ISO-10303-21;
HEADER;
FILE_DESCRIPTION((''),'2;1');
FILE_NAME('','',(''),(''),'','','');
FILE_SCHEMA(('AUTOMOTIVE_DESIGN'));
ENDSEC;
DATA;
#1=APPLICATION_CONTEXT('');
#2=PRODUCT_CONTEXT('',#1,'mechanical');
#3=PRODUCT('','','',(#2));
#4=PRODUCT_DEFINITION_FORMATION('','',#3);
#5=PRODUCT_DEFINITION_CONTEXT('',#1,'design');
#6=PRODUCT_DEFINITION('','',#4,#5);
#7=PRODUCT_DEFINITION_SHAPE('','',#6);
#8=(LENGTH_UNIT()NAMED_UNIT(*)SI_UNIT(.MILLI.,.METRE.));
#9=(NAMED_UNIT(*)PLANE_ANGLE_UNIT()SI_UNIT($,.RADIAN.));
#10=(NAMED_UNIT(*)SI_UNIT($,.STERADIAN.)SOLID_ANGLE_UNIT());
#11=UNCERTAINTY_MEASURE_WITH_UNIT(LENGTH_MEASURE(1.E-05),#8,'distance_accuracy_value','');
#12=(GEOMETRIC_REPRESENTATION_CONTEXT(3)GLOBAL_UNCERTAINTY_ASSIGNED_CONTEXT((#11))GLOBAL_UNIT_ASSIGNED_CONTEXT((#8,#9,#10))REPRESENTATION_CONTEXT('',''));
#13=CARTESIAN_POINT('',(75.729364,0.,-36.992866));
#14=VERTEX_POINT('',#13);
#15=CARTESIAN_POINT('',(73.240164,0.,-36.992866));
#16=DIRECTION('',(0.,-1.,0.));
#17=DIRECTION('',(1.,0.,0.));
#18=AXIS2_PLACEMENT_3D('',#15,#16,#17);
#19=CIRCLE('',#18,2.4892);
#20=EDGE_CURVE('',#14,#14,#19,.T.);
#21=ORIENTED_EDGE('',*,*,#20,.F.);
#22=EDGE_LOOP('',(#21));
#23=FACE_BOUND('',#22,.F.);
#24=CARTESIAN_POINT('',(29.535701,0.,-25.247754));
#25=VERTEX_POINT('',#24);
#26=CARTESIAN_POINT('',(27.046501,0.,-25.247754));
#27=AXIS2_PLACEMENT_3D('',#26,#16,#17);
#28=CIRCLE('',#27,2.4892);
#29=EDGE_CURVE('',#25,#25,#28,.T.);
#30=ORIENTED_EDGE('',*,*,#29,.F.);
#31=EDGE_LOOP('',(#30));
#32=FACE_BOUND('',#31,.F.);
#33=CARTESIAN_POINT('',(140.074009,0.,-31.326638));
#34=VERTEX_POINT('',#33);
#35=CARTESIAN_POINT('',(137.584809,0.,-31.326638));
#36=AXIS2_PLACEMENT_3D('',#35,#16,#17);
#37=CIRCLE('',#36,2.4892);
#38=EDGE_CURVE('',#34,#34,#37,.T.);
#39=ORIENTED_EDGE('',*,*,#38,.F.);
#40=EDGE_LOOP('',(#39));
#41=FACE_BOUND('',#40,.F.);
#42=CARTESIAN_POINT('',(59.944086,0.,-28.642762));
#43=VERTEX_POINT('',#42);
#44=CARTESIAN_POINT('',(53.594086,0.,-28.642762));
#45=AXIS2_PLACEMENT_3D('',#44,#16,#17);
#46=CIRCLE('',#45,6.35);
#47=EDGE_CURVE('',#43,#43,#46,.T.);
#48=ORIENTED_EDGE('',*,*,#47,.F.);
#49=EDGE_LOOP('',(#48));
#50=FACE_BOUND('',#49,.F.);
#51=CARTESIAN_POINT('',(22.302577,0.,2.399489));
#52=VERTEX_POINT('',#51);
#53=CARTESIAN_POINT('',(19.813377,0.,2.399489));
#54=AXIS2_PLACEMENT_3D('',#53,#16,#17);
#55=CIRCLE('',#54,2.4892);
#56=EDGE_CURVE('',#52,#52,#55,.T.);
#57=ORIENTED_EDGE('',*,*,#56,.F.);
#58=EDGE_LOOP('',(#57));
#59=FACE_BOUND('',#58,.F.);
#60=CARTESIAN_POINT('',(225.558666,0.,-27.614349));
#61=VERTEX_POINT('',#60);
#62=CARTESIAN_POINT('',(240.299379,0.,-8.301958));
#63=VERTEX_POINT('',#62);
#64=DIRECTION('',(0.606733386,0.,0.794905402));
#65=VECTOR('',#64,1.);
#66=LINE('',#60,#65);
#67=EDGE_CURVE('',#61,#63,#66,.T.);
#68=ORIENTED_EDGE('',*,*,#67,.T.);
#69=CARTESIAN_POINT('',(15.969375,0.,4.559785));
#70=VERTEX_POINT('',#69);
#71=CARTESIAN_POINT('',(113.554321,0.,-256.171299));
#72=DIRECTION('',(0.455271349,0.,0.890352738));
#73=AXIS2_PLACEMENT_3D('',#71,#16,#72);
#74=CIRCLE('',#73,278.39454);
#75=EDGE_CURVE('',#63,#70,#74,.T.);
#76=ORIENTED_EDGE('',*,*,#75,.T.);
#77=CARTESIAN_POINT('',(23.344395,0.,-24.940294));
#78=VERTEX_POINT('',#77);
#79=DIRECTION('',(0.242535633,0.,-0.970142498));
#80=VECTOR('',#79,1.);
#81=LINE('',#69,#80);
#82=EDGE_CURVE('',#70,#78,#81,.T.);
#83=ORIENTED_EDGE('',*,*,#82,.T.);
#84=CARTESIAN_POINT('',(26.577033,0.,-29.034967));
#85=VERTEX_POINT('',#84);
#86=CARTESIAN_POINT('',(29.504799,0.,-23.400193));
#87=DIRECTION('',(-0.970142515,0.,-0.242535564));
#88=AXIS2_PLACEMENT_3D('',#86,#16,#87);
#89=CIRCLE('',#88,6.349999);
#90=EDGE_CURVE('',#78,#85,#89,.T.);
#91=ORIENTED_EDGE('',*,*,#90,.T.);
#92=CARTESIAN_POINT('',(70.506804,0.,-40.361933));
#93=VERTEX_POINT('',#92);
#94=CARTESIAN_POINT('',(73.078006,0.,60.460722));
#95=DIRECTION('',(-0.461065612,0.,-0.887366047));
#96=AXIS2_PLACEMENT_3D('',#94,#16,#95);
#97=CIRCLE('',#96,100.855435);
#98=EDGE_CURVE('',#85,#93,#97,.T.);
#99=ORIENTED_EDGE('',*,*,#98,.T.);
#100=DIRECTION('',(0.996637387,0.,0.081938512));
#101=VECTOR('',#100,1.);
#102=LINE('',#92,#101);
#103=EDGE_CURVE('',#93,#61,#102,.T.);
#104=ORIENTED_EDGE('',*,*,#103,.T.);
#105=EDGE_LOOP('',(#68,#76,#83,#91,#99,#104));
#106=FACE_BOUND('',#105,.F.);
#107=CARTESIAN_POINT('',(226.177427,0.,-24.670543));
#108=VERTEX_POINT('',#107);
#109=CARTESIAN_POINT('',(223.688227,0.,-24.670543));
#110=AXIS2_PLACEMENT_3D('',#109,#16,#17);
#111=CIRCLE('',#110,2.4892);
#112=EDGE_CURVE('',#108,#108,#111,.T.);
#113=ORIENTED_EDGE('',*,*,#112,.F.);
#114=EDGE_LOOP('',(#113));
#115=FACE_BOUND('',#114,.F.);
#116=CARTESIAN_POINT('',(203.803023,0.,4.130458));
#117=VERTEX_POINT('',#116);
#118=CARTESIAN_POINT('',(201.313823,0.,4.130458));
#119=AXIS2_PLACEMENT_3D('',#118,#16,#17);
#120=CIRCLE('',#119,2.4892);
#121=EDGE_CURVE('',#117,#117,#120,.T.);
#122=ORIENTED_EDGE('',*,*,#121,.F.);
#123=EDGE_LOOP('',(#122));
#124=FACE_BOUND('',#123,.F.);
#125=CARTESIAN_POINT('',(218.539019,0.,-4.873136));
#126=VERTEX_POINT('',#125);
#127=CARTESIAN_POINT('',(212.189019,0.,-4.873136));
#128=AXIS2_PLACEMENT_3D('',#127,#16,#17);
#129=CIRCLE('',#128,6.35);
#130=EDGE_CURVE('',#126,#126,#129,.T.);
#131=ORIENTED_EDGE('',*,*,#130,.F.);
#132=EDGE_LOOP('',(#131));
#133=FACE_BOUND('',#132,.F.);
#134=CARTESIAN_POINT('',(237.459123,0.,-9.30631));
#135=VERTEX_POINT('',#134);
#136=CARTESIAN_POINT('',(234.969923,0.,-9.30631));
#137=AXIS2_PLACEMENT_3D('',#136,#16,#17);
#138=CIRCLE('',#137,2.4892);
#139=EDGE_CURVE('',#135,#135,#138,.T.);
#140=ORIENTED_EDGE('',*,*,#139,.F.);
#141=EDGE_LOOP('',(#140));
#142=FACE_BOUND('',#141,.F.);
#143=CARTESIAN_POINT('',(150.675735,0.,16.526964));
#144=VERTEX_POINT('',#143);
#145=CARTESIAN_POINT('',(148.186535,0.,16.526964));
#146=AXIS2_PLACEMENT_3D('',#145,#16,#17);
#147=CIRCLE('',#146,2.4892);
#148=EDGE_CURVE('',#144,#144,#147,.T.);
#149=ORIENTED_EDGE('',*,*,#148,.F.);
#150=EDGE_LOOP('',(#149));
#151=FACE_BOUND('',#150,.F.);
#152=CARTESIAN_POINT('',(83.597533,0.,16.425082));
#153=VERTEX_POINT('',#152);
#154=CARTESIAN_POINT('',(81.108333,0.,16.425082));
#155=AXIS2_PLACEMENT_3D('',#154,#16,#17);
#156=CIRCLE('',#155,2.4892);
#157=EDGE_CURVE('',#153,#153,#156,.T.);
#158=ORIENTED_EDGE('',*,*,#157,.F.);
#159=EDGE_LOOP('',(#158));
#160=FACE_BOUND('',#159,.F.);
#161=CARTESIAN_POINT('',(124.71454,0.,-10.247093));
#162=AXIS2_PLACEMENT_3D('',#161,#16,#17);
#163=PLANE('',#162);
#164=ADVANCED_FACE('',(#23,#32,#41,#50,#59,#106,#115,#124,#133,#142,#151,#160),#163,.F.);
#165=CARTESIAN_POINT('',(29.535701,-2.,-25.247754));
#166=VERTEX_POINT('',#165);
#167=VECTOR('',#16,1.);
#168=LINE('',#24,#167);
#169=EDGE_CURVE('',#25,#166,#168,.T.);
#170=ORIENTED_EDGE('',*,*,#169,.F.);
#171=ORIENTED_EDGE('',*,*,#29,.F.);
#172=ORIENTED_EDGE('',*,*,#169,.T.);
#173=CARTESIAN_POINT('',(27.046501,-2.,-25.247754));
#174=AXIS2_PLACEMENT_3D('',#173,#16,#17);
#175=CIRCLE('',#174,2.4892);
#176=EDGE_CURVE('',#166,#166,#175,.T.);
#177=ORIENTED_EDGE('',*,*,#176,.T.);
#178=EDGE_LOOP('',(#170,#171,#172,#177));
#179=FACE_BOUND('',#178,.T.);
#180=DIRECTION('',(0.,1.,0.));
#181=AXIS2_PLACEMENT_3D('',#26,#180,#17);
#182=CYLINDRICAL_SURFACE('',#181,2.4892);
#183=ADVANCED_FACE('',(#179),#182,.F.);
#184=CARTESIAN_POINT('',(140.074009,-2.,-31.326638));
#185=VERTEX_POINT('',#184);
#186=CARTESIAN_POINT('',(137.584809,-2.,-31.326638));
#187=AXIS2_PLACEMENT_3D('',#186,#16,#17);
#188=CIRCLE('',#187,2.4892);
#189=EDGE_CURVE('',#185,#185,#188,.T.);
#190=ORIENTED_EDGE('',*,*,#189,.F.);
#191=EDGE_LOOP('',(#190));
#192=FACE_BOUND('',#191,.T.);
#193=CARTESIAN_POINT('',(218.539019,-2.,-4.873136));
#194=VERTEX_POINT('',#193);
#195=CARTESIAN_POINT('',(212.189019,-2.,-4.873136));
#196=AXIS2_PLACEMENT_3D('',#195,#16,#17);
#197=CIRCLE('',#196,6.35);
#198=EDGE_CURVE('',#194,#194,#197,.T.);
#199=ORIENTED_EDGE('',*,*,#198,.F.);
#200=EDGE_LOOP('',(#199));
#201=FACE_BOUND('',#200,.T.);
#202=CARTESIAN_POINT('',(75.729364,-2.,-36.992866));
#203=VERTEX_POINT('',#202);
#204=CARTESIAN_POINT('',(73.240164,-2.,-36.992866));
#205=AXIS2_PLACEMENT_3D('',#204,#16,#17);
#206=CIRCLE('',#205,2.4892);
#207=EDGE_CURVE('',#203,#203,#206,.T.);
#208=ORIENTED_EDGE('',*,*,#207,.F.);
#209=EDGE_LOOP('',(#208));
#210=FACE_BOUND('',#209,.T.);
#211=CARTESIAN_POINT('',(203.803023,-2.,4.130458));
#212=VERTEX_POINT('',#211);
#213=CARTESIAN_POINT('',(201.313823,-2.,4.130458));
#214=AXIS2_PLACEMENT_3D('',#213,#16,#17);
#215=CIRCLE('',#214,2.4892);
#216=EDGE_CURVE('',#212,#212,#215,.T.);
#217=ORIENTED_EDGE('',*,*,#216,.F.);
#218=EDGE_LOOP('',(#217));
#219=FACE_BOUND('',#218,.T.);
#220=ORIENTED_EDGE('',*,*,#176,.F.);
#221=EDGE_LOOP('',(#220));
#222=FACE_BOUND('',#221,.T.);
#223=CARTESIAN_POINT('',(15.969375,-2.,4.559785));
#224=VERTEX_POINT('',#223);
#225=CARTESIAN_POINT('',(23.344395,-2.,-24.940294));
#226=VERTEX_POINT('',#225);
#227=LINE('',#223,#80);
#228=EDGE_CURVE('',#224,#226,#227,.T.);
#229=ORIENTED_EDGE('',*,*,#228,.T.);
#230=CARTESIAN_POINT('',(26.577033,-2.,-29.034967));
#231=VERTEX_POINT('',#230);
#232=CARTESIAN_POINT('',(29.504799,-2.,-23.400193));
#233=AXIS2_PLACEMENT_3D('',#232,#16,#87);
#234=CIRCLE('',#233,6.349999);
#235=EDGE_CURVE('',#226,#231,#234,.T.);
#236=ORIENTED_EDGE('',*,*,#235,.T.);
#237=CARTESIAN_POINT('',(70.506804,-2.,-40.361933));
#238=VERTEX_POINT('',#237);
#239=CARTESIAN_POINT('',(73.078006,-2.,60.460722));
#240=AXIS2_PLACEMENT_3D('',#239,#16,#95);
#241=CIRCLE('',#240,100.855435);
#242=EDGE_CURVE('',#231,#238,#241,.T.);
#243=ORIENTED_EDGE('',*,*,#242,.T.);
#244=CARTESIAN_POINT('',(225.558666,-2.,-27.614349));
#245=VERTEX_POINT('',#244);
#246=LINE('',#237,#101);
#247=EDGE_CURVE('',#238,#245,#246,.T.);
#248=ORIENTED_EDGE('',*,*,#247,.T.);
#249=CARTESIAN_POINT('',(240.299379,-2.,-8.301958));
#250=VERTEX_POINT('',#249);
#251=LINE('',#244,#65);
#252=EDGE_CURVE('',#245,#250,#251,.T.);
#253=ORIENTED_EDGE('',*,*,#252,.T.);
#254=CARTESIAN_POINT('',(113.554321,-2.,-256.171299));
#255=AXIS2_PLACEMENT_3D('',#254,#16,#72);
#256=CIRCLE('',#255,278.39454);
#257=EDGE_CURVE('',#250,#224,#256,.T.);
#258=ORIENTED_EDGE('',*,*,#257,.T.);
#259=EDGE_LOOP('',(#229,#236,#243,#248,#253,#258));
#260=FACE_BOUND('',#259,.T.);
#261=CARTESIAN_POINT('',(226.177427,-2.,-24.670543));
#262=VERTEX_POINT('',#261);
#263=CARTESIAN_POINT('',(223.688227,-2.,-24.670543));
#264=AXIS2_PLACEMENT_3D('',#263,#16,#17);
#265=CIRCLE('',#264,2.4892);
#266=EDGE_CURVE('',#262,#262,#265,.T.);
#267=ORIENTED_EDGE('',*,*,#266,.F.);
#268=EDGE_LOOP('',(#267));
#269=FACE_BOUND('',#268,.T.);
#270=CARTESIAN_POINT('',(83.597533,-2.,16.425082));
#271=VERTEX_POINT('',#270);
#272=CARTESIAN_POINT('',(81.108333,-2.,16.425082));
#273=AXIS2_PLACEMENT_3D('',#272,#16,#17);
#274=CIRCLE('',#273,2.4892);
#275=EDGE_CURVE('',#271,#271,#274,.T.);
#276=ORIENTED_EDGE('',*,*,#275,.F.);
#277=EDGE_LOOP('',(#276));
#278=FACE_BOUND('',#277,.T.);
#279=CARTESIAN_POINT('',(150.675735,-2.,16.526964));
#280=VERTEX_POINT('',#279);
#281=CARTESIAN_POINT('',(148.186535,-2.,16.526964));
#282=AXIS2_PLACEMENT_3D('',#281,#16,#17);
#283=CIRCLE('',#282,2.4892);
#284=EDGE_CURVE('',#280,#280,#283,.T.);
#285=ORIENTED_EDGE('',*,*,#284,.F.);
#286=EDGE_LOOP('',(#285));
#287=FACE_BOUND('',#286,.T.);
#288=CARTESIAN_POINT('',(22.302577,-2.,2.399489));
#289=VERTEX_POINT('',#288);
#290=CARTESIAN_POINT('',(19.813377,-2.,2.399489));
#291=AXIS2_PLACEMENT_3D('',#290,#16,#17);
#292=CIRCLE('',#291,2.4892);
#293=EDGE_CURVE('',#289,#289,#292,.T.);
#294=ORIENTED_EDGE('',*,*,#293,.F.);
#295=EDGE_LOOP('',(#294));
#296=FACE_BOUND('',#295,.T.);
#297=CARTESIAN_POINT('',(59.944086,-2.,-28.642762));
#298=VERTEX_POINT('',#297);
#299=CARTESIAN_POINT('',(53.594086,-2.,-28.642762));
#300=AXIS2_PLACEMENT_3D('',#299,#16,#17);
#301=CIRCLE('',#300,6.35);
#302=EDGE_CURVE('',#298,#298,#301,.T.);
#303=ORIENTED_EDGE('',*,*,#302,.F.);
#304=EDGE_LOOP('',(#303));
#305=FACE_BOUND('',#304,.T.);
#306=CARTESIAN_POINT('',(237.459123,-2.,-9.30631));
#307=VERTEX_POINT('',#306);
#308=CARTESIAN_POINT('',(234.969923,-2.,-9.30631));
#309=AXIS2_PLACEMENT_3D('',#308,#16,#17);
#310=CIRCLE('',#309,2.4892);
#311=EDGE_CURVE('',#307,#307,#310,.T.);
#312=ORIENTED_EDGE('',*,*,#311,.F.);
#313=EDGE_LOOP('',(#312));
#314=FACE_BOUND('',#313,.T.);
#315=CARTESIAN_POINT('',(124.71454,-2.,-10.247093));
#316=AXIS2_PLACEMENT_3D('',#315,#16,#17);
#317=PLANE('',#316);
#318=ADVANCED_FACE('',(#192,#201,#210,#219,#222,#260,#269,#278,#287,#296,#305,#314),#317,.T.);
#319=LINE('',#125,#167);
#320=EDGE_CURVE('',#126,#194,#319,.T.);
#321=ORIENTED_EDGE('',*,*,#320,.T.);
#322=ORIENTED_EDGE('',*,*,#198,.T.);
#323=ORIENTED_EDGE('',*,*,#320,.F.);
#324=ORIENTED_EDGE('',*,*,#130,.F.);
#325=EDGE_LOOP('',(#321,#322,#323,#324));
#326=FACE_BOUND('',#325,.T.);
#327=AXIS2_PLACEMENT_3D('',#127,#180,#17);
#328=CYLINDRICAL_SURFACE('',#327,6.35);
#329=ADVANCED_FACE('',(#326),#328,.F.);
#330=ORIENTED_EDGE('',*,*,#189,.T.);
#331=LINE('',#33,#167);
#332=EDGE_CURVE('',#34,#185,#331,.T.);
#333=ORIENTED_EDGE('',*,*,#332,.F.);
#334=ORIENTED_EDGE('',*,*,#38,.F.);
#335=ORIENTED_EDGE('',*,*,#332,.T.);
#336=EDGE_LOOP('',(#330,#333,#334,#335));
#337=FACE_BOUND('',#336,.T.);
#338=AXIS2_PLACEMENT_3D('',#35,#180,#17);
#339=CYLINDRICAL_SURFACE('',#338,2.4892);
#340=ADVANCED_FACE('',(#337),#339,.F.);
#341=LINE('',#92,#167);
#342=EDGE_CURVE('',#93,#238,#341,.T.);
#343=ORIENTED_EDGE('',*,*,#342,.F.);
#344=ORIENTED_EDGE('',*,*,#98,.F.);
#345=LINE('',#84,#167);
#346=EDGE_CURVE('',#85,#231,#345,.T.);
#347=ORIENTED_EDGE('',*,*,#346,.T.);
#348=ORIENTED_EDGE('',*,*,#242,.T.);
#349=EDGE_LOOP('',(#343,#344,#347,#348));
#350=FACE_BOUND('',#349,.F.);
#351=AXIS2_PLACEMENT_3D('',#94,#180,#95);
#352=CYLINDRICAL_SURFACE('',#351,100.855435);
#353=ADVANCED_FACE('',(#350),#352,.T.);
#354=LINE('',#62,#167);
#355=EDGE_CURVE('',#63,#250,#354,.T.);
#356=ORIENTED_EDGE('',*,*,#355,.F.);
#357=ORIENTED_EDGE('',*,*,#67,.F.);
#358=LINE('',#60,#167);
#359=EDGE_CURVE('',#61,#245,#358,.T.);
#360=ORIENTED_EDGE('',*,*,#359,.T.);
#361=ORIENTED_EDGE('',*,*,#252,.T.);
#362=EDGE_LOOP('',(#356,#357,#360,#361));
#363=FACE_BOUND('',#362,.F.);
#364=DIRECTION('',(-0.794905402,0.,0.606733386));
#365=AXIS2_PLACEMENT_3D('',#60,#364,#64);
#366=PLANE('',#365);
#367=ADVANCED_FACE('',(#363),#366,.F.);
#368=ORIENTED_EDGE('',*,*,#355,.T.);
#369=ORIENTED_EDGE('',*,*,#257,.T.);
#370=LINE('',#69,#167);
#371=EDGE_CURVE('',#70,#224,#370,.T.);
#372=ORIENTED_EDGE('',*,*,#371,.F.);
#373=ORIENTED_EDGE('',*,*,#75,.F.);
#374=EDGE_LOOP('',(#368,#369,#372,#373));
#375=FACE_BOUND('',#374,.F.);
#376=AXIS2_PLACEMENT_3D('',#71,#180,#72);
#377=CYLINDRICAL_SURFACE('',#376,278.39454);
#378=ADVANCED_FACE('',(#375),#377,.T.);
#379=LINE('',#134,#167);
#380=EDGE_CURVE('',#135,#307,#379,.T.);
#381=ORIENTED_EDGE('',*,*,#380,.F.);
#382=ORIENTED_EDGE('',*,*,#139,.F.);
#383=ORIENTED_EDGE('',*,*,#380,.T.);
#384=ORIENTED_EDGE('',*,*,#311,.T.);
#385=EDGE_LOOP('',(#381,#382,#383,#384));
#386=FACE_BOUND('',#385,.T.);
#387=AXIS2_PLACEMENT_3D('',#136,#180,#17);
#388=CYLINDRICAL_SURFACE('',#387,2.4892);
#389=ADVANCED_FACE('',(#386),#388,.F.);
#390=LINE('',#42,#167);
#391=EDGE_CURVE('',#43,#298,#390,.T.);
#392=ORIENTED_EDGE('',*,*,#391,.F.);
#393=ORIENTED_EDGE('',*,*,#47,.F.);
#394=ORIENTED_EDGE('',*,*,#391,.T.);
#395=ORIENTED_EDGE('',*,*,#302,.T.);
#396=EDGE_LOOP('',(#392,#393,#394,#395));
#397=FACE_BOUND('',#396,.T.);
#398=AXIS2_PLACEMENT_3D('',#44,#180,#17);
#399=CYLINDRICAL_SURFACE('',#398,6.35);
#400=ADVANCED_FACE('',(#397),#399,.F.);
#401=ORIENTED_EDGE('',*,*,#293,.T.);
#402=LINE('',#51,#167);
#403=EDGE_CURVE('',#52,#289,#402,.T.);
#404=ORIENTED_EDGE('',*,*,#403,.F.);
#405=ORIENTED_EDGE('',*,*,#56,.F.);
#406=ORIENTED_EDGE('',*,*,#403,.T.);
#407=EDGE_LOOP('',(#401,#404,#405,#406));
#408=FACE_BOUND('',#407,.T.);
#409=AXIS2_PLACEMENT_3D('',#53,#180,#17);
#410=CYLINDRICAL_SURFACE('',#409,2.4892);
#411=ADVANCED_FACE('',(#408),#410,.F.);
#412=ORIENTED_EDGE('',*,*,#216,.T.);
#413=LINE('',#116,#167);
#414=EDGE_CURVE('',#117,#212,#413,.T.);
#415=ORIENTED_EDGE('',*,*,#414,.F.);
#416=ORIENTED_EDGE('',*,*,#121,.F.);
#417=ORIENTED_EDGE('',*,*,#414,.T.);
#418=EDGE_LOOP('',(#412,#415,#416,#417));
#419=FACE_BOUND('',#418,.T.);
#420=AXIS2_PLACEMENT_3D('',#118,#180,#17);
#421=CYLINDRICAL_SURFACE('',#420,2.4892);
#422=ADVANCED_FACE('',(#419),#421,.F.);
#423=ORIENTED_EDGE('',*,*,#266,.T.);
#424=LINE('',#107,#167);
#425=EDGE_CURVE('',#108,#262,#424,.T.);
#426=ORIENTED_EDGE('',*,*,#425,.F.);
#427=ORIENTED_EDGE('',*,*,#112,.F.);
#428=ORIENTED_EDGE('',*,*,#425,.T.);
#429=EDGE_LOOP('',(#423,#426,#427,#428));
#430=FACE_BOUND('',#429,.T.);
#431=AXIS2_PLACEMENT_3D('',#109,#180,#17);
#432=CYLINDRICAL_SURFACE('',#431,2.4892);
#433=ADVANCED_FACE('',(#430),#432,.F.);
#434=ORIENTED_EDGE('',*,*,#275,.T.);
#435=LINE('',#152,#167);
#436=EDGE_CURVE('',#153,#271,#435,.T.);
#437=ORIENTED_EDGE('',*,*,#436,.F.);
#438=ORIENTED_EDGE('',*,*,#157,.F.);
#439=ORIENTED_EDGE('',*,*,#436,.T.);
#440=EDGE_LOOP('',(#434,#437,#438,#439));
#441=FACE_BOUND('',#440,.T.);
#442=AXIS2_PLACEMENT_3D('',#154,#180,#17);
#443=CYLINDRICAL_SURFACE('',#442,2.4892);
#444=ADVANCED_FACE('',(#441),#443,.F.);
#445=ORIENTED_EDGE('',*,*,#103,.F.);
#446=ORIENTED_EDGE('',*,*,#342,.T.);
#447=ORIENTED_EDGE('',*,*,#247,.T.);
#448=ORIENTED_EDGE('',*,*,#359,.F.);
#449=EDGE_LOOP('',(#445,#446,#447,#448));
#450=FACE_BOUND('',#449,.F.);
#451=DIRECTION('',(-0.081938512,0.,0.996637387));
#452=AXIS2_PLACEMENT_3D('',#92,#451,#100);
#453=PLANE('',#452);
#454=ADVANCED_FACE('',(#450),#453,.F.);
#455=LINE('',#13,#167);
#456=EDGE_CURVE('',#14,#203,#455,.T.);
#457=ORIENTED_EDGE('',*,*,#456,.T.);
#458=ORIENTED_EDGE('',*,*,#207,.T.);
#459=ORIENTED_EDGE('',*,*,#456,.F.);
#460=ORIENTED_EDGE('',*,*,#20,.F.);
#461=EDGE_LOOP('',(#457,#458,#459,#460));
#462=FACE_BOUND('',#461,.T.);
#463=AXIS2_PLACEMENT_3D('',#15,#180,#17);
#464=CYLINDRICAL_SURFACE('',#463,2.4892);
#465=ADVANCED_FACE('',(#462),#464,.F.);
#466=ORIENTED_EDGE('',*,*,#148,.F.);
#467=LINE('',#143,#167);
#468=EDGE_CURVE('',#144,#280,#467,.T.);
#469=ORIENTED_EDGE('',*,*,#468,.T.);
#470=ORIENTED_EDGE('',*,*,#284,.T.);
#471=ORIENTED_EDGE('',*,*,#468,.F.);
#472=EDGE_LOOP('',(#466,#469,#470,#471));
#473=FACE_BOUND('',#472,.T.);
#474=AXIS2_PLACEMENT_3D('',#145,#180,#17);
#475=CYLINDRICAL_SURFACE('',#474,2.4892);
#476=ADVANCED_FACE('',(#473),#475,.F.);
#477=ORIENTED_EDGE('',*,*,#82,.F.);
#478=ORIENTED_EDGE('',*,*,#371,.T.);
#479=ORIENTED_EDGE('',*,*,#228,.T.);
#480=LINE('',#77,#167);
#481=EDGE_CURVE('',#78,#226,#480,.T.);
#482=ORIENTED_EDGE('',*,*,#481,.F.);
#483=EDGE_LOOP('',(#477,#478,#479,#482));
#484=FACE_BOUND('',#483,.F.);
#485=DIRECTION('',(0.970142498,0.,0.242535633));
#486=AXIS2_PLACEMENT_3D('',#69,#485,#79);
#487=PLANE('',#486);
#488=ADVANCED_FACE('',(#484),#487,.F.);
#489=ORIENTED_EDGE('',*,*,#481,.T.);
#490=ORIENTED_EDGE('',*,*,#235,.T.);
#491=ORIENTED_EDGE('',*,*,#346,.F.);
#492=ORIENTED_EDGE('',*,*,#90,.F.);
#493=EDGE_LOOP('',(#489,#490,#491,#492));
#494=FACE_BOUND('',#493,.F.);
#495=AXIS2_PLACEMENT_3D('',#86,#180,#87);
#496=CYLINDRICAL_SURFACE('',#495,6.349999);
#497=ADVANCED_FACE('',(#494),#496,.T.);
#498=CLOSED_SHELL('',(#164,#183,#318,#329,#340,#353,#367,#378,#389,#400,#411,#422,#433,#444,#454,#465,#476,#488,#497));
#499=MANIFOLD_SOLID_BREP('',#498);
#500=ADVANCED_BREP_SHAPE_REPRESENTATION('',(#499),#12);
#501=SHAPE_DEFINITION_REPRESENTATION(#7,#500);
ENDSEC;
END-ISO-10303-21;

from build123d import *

# Parameters (mm, degrees)
F0_R     = 2.4892
F0_R_2   = 6.35
F1_DEPTH = 2


with BuildPart() as f1:
    # F0 (on Front) → F1 (new body)
    with BuildSketch(Plane.XZ):
        with BuildLine():
            ThreePointArc((240.299379, -8.301958), (129.489632, 21.766798), (15.969375, 4.559785))
            Line((15.969375, 4.559785), (23.344395, -24.940294))
            ThreePointArc((23.344395, -24.940294), (24.520795, -27.334935), (26.577033, -29.034967))
            ThreePointArc((26.577033, -29.034967), (47.896771, -37.200551), (70.506804, -40.361933))
            Line((70.506804, -40.361933), (225.558666, -27.614349))
            Line((225.558666, -27.614349), (240.299379, -8.301958))
        make_face()
        with Locations((27.046501, -25.247754)):
            Circle(F0_R, mode=Mode.SUBTRACT)
        with Locations((53.594086, -28.642762)):
            Circle(F0_R_2, mode=Mode.SUBTRACT)
        with Locations((73.240164, -36.992866)):
            Circle(F0_R, mode=Mode.SUBTRACT)
        with Locations((137.584809, -31.326638)):
            Circle(F0_R, mode=Mode.SUBTRACT)
        with Locations((223.688227, -24.670543)):
            Circle(F0_R, mode=Mode.SUBTRACT)
        with Locations((234.969923, -9.30631)):
            Circle(F0_R, mode=Mode.SUBTRACT)
        with Locations((19.813377, 2.399489)):
            Circle(F0_R, mode=Mode.SUBTRACT)
        with Locations((81.108333, 16.425082)):
            Circle(F0_R, mode=Mode.SUBTRACT)
        with Locations((212.189019, -4.873136)):
            Circle(F0_R_2, mode=Mode.SUBTRACT)
        with Locations((201.313823, 4.130458)):
            Circle(F0_R, mode=Mode.SUBTRACT)
        with Locations((148.186535, 16.526964)):
            Circle(F0_R, mode=Mode.SUBTRACT)
    extrude(amount=F1_DEPTH)


solid = f1.part
